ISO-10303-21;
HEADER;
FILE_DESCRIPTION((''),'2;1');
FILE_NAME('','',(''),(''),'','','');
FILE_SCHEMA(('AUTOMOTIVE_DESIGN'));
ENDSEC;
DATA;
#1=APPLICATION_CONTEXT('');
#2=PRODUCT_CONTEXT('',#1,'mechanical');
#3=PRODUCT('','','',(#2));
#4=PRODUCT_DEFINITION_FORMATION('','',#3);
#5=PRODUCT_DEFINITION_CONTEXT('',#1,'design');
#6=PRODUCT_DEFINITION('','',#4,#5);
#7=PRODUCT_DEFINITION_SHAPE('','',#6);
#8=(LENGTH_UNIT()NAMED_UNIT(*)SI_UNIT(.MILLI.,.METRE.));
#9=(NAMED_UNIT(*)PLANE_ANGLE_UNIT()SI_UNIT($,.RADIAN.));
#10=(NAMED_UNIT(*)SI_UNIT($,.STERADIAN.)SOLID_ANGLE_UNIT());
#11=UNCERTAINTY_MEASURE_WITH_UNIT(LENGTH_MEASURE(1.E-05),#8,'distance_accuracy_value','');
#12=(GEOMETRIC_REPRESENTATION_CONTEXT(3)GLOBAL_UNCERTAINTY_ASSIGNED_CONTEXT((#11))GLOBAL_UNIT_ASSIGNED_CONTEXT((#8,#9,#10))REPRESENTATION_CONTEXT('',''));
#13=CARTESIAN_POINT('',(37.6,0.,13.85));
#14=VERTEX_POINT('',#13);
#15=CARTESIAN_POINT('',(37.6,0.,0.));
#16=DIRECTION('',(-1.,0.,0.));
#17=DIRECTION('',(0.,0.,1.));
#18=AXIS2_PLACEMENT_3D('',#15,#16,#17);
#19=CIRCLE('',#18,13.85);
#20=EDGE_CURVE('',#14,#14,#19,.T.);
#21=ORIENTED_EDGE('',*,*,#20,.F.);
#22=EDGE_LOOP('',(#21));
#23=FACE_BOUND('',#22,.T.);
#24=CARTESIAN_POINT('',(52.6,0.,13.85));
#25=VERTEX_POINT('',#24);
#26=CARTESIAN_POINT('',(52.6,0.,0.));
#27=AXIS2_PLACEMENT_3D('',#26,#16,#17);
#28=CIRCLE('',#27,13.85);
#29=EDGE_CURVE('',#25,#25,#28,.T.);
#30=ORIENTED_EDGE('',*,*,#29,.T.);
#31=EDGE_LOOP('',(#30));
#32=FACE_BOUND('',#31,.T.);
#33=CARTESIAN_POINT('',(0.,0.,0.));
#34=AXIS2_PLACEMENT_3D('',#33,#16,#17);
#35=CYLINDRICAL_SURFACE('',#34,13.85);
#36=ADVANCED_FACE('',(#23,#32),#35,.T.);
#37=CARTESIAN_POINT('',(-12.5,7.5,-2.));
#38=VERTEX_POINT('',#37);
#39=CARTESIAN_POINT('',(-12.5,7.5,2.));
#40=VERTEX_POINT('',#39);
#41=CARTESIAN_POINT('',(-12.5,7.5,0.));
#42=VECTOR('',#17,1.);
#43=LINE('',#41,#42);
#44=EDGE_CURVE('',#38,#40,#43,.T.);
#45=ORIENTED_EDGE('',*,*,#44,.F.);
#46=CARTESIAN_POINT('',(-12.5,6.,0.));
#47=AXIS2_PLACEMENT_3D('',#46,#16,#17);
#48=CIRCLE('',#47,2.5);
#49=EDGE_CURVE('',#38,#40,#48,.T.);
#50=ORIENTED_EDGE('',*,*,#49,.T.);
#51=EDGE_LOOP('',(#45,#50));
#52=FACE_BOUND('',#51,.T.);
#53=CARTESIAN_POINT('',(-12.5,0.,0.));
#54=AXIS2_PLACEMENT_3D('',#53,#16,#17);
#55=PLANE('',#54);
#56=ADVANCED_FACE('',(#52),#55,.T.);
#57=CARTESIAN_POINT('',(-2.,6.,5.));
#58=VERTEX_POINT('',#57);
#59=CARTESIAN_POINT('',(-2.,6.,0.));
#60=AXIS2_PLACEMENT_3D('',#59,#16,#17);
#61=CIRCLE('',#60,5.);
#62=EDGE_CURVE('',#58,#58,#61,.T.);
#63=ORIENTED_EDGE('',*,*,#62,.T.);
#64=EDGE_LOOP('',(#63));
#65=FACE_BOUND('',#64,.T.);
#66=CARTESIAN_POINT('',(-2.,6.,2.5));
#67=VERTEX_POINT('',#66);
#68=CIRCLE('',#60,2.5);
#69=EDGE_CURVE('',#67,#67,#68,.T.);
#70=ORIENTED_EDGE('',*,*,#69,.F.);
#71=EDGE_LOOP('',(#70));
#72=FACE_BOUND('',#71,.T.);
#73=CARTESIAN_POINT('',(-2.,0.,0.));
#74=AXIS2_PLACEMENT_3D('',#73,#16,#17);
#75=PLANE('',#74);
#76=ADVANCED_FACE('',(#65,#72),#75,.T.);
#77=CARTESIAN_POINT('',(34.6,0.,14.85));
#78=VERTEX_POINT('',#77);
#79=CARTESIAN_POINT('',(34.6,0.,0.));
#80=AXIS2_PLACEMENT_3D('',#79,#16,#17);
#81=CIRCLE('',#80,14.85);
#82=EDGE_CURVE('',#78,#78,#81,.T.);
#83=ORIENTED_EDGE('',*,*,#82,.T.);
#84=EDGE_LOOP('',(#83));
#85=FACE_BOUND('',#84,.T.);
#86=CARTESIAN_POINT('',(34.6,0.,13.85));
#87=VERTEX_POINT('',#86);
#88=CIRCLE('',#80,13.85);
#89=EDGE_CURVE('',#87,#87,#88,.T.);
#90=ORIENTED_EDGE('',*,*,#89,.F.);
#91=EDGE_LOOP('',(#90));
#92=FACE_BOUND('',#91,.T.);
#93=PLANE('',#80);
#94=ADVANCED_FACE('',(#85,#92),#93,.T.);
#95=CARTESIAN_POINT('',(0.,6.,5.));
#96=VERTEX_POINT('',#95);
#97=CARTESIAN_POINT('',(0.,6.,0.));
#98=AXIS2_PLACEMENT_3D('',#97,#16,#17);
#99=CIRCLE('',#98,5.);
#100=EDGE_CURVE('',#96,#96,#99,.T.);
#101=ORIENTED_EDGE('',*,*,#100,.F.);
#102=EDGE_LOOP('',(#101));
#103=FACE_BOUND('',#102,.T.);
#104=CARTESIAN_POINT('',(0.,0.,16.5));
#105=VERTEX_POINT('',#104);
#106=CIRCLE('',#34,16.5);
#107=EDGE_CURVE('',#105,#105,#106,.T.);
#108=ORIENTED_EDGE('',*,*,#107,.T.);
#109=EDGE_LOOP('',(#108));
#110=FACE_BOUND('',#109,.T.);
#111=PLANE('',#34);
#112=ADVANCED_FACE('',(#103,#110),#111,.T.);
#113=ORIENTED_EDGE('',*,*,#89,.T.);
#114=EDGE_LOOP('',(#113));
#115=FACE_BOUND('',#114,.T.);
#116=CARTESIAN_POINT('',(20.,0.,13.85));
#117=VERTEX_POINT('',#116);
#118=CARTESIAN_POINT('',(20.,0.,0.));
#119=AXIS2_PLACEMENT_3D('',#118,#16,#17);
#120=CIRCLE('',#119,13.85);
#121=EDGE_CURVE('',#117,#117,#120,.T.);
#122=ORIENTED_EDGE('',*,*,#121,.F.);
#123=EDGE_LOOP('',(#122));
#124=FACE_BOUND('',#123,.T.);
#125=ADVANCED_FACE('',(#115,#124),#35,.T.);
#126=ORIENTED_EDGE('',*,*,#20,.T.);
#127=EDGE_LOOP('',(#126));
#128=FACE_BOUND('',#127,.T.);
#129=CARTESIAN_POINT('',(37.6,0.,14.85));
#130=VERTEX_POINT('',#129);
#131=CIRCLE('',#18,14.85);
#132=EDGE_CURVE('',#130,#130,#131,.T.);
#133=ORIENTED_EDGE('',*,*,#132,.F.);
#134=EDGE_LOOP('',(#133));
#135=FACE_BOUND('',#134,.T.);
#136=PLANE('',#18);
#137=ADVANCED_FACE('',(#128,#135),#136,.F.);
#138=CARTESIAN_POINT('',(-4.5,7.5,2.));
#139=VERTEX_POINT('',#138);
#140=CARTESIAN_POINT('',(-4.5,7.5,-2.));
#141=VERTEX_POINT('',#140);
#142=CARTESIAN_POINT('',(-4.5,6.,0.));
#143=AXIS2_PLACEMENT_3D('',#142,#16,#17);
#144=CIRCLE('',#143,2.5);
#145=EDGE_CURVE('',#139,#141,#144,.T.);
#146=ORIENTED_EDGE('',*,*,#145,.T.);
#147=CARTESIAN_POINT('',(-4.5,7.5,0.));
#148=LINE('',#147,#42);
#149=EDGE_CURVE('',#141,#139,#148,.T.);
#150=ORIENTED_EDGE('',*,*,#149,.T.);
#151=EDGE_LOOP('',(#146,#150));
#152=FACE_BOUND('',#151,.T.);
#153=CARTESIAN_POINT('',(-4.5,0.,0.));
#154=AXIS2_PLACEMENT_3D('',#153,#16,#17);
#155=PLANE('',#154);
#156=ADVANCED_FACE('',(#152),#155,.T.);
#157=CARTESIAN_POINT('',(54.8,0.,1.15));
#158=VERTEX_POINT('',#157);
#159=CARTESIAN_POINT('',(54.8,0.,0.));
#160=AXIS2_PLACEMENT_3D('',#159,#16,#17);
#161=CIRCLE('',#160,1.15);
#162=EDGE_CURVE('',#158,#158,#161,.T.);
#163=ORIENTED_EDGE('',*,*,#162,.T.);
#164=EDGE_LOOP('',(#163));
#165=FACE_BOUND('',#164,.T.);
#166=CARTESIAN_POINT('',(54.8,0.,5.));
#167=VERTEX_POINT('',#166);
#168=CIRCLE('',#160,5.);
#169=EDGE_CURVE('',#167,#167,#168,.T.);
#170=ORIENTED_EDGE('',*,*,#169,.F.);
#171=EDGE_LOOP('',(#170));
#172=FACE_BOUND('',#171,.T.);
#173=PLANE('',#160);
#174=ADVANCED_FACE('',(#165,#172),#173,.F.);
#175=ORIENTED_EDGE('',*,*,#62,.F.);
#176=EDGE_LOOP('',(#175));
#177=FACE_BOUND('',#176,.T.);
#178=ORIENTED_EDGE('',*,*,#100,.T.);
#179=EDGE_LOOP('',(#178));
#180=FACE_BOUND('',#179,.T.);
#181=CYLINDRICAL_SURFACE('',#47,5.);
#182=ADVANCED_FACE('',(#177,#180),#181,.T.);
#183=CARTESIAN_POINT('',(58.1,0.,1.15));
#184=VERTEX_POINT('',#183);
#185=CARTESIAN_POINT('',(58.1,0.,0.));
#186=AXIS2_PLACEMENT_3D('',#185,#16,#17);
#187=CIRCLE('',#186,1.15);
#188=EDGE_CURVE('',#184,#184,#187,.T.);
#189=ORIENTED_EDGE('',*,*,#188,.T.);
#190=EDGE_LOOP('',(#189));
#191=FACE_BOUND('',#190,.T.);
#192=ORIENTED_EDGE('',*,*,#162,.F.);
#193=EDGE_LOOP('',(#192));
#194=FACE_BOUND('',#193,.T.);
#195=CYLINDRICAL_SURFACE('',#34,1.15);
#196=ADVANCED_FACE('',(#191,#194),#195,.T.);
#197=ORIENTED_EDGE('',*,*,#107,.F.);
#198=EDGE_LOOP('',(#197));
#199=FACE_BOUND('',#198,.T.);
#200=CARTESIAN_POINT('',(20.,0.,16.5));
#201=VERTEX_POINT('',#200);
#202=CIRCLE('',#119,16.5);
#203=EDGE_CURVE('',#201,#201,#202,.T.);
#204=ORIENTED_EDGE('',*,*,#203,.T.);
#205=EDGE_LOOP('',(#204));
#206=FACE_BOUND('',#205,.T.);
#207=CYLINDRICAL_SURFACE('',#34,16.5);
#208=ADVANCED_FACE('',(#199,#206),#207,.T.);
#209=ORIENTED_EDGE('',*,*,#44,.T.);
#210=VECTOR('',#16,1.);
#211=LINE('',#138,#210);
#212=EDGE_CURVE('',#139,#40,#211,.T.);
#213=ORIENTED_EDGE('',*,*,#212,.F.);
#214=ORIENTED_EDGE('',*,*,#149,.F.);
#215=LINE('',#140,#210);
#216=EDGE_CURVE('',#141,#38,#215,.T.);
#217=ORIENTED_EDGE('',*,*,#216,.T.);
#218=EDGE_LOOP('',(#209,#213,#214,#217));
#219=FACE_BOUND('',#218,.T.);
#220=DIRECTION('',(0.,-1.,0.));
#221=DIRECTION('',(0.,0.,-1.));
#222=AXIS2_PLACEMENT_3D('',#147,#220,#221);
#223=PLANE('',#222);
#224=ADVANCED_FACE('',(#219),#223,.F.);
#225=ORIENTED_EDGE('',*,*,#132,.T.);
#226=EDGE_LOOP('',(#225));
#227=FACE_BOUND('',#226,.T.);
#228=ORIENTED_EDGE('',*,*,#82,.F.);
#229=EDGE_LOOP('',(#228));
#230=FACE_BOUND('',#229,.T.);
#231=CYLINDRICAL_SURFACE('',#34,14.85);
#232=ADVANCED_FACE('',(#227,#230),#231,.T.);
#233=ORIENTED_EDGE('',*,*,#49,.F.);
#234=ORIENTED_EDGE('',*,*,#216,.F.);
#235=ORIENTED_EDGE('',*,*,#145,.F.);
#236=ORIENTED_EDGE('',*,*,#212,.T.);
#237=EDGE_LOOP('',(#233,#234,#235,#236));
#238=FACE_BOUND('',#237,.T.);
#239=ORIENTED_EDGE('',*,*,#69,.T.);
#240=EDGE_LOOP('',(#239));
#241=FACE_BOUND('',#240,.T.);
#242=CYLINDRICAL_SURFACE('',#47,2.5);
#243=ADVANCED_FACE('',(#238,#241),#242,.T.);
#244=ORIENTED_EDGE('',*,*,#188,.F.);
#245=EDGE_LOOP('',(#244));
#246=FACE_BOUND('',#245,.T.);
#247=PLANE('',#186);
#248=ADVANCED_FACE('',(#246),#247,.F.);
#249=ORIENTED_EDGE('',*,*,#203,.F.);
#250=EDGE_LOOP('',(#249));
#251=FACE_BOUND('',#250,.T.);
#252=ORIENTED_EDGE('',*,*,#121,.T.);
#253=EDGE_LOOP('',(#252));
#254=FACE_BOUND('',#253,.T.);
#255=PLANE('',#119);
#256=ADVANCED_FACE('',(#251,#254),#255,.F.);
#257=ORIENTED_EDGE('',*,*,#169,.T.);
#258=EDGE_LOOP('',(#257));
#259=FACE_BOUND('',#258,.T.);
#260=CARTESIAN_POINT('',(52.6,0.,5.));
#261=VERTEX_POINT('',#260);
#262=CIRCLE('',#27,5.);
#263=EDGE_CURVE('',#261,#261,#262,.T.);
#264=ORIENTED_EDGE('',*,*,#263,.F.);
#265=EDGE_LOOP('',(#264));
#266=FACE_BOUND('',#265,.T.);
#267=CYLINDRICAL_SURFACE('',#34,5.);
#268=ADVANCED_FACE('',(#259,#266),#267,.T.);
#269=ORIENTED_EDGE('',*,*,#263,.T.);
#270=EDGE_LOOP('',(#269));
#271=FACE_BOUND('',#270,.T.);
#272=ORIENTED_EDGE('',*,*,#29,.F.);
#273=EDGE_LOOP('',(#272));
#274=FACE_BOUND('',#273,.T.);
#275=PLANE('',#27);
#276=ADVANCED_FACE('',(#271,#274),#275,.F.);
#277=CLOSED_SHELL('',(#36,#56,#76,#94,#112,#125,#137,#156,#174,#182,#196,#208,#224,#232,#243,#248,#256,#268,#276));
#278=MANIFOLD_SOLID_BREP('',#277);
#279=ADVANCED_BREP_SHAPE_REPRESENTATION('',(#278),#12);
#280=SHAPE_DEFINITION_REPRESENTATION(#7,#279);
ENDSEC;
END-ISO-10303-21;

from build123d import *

# Parameters (mm, degrees)
SKETCH1_W          = 20
SKETCH1_H          = 16.5
SKETCH1_W_2        = 14.6
SKETCH1_H_2        = 13.85
SKETCH1_W_3        = 3
SKETCH1_H_3        = 1
SKETCH1_W_4        = 3.3
SKETCH1_H_4        = 1.15
SKETCH3_W          = 10.5
SKETCH3_H          = 2.5
CUT_EXTRUDE1_DEPTH = 8


with BuildPart() as part:
    # Sketch1 → Revolve1 (revolve)
    with BuildSketch(Plane.XY):
        with Locations((10, 8.25)):
            Rectangle(SKETCH1_W, SKETCH1_H)
        with Locations((27.3, 6.925)):
            Rectangle(SKETCH1_W_2, SKETCH1_H_2)
        with Locations((36.1, 6.925)):
            Rectangle(SKETCH1_W_3, SKETCH1_H_2)
        with Locations((36.1, 14.35)):
            Rectangle(SKETCH1_W_3, SKETCH1_H_3)
        Polygon((37.6, 13.85), (37.6, 0), (52.6, 0), (52.6, 5), (52.6, 13.85), align=None)
        Polygon((52.6, 5), (52.6, 0), (54.8, 0), (54.8, 1.15), (54.8, 5), align=None)
        with Locations((56.45, 0.575)):
            Rectangle(SKETCH1_W_4, SKETCH1_H_4)
    revolve(axis=Axis((0, 0, 0), (1, 0, 0)))

    # Sketch3 → Revolve2 (revolve)
    with BuildSketch(Plane.XY):
        with Locations((-7.25, 7.25)):
            Rectangle(SKETCH3_W, SKETCH3_H)
        Polygon((-2, 8.5), (-2, 6), (0, 6), (0, 11), (-2, 11), align=None)
    revolve(axis=Axis((-12.5, 6, 0), (1, 0, 0)))

    # Sketch4 → Cut-Extrude1 (cut)
    with BuildSketch(Plane.ZY.offset(12.5)):
        Polygon((-72.605280298, 7.5), (-2, 7.5), (2, 7.5), (72.605280298, 7.5), (72.605280298, 148.710560596), (-72.605280298, 148.710560596), align=None)
    extrude(amount=-CUT_EXTRUDE1_DEPTH, mode=Mode.SUBTRACT)


solid = part.part
